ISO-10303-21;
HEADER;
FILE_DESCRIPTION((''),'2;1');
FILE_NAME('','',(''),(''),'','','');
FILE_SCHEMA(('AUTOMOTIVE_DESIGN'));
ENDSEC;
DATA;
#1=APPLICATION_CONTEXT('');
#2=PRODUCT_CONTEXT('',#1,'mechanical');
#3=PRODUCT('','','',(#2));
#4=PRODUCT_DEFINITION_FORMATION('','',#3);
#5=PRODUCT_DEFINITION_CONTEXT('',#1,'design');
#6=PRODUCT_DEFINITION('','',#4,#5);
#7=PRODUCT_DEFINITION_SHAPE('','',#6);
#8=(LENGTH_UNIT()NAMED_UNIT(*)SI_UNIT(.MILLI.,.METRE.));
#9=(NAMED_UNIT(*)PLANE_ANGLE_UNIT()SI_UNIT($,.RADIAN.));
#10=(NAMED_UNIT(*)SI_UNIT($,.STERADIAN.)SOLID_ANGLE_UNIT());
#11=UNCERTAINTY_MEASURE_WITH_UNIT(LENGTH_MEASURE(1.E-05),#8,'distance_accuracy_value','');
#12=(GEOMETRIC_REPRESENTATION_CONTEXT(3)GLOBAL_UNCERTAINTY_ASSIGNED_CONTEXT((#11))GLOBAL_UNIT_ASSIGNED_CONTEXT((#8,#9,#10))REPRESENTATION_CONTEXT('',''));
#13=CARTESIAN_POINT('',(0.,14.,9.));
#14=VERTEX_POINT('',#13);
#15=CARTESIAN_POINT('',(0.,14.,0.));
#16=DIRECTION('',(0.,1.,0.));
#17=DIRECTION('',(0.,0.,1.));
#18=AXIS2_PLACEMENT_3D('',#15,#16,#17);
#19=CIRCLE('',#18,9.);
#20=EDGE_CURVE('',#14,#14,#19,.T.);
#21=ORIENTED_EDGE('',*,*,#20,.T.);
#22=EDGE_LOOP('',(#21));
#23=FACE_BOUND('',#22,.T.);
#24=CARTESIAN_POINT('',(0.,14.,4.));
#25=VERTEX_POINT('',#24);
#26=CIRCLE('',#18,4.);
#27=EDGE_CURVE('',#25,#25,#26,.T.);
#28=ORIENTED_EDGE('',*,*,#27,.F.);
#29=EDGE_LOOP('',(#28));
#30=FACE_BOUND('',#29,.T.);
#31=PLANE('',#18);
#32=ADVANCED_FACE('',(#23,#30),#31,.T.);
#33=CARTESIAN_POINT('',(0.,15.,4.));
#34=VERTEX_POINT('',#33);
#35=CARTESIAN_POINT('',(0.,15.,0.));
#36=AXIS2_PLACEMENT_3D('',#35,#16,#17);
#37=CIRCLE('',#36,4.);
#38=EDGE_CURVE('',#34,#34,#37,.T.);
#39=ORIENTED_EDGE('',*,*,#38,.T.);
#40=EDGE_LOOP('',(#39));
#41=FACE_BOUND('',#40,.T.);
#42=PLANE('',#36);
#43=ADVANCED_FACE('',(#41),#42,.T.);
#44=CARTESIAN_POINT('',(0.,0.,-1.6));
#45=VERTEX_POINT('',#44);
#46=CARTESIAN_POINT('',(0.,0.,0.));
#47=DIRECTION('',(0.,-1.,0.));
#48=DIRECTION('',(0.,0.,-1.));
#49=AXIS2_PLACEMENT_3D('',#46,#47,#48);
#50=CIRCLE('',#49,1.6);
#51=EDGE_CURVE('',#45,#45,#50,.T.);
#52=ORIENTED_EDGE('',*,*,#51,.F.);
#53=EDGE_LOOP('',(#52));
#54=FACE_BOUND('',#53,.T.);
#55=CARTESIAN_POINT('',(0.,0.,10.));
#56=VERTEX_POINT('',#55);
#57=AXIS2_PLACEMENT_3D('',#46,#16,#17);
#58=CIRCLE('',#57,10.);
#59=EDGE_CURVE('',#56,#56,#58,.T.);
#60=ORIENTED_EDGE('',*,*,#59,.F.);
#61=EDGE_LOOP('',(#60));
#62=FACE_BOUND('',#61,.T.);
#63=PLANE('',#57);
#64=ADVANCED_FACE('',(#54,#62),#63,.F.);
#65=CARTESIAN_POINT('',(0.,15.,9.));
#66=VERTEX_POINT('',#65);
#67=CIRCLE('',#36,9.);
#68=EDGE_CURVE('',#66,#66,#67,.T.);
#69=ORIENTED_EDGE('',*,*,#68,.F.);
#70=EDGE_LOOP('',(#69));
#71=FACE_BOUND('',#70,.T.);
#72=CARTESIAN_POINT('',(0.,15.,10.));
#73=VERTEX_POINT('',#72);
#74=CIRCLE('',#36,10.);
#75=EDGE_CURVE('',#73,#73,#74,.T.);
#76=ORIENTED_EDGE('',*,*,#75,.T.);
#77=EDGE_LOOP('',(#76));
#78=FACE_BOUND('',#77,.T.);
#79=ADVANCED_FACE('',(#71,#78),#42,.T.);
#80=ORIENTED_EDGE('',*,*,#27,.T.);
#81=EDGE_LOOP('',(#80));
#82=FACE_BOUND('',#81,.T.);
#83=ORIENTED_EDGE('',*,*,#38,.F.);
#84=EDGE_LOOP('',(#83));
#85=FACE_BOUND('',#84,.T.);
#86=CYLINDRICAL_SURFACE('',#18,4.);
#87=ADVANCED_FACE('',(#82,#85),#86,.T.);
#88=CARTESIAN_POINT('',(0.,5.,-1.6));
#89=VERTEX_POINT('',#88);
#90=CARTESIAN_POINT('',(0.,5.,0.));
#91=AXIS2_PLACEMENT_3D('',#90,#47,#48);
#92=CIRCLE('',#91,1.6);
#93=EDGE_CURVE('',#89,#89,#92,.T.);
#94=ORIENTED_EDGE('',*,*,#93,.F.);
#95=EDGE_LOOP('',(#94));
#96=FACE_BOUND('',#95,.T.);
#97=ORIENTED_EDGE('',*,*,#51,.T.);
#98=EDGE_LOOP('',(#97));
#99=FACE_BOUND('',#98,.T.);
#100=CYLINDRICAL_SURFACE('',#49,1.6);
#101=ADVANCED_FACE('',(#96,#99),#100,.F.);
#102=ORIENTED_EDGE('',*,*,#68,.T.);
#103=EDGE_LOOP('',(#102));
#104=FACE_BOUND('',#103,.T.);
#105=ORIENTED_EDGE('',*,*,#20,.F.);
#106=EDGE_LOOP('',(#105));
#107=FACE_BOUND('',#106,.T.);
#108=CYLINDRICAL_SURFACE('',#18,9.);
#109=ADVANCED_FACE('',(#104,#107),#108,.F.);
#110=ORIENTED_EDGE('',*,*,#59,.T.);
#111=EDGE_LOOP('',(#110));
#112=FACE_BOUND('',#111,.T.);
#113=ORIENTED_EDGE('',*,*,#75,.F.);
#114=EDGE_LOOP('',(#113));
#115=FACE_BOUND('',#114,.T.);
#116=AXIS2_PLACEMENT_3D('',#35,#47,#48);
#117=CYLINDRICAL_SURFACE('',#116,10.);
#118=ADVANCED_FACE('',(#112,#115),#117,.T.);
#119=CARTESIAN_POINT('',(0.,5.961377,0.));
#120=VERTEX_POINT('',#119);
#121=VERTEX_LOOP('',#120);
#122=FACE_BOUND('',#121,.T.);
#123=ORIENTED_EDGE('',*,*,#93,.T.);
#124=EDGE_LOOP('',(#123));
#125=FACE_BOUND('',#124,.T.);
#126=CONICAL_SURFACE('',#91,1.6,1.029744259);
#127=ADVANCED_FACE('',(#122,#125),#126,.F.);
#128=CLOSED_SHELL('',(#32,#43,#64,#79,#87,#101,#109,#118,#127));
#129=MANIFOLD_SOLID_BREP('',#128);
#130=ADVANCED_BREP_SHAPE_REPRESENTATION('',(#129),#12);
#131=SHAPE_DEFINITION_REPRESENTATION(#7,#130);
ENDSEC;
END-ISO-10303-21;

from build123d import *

# Parameters (mm, degrees)
SKETCH1_R                = 10
BOSS_EXTRUDE1_DEPTH      = 15
SKETCH2_R                = 9
SKETCH2_R_2              = 4
CUT_EXTRUDE1_DEPTH       = 1
M3_CLEARANCE_HOLE1_D     = 3.2
M3_CLEARANCE_HOLE1_DEPTH = 5
M3_CLEARANCE_HOLE1_TIP   = 0.96137699


with BuildPart() as part:
    # Sketch1 → Boss-Extrude1 (new body)
    with BuildSketch(Plane(origin=(0, 0, 0), x_dir=(1, 0, 0), z_dir=(0, 1, 0))):
        with Locations(Location((0, 0, 0), (0, 0, 270))):
            Circle(SKETCH1_R)
    extrude(amount=BOSS_EXTRUDE1_DEPTH)

    # Sketch2 → Cut-Extrude1 (cut)
    with BuildSketch(Plane(origin=(0, 15, 0), x_dir=(1, 0, 0), z_dir=(0, 1, 0))):
        with Locations(Location((0, 0, 0), (0, 0, 270))):
            Circle(SKETCH2_R)
        with Locations(Location((0, 0, 0), (0, 0, 270))):
            Circle(SKETCH2_R_2, mode=Mode.SUBTRACT)
    extrude(amount=-CUT_EXTRUDE1_DEPTH, mode=Mode.SUBTRACT)

    # M3 Clearance Hole1
    with Locations(Plane(origin=(0, 0, 0), x_dir=(-1, 0, 0), z_dir=(0, -1, 0))):
        with Locations((0, 0)):
            Hole(M3_CLEARANCE_HOLE1_D / 2, depth=M3_CLEARANCE_HOLE1_DEPTH)
            with Locations((0, 0, -(M3_CLEARANCE_HOLE1_DEPTH + M3_CLEARANCE_HOLE1_TIP / 2))):  # 118° drill point
                Cone(0, M3_CLEARANCE_HOLE1_D / 2, M3_CLEARANCE_HOLE1_TIP, mode=Mode.SUBTRACT)


solid = part.part
